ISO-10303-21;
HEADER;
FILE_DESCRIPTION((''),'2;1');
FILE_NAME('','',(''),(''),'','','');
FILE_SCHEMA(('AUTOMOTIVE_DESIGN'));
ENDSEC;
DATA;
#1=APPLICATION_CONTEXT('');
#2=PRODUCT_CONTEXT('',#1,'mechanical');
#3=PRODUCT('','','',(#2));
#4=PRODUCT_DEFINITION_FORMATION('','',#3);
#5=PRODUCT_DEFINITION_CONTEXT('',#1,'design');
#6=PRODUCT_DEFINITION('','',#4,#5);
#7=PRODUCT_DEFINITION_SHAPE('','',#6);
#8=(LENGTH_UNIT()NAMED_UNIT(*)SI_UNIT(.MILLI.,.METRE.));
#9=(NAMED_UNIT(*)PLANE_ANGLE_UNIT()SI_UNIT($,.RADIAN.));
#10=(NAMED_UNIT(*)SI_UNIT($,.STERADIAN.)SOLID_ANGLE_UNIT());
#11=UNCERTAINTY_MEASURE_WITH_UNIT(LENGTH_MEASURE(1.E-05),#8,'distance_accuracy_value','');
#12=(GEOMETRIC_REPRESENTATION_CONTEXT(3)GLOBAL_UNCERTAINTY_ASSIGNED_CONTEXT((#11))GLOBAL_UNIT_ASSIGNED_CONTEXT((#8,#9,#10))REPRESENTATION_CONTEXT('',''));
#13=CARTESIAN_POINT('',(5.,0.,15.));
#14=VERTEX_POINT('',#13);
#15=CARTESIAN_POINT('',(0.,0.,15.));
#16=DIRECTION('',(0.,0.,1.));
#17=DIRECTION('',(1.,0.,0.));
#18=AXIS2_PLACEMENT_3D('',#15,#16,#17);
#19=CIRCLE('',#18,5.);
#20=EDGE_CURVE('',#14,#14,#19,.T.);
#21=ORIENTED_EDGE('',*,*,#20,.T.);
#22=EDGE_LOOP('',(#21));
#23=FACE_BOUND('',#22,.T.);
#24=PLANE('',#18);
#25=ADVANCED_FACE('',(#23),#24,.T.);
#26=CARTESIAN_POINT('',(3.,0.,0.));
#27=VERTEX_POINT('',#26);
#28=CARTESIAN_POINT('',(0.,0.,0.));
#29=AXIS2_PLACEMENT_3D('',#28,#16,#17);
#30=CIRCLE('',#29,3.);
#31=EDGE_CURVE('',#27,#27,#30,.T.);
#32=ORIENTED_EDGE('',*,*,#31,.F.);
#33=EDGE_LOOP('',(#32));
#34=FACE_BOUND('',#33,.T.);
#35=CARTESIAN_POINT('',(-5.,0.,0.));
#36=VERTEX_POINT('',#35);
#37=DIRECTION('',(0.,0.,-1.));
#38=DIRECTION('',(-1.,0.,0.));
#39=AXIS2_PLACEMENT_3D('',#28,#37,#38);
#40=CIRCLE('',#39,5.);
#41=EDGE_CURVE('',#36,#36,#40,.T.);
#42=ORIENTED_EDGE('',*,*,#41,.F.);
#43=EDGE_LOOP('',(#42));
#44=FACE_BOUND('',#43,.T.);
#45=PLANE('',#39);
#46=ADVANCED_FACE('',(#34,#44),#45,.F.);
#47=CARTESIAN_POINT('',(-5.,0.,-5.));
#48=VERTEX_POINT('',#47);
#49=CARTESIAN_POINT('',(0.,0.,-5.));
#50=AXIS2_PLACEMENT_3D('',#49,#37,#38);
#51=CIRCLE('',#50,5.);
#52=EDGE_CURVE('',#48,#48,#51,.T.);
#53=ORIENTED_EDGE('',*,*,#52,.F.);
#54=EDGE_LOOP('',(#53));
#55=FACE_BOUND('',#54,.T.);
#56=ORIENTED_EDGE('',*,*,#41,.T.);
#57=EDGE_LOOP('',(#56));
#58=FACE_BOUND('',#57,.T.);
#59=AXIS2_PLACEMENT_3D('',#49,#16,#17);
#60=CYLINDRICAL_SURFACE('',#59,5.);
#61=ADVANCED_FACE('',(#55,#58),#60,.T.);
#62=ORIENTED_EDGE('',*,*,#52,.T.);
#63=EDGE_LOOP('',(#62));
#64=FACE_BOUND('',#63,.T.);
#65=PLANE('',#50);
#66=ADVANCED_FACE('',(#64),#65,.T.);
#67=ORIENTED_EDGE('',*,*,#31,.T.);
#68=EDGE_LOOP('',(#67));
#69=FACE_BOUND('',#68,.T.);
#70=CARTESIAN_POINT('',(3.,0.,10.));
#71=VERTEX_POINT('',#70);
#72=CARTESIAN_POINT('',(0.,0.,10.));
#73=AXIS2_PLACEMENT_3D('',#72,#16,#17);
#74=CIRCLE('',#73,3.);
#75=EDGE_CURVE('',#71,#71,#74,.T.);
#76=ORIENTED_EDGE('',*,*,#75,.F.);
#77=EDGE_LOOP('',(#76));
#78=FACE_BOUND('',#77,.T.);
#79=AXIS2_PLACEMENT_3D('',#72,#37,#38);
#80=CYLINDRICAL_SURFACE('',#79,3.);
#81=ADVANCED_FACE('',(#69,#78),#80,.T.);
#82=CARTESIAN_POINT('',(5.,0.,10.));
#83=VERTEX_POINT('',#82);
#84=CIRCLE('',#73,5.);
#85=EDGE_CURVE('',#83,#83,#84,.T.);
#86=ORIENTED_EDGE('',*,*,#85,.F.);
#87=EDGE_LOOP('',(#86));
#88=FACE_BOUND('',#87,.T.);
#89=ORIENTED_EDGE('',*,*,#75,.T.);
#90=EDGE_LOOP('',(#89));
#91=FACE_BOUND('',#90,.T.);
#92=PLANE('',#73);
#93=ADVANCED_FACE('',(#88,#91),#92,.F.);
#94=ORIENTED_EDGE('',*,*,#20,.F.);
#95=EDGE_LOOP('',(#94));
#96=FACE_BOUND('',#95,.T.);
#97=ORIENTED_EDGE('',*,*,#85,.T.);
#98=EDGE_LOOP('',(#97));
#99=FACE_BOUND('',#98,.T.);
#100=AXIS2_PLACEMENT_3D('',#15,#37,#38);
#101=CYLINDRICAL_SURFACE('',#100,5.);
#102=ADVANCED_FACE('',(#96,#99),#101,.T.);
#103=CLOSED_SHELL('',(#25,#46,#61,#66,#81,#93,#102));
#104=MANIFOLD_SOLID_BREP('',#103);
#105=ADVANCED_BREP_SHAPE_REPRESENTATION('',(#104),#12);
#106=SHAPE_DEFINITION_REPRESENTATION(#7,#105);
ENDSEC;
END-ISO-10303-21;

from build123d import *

# Parameters (mm, degrees)
ESQUISSE1_R        = 3
BOSS_EXTRU_1_DEPTH = 10
ESQUISSE2_R        = 5
BOSS_EXTRU_3_DEPTH = 5
BOSS_EXTRU_4_START = 5
ESQUISSE3_R        = 5
BOSS_EXTRU_4_DEPTH = 5


with BuildPart() as part:
    # Esquisse1 → Boss.-Extru.1 (new body)
    with BuildSketch(Plane.XY):
        Circle(ESQUISSE1_R)
    extrude(amount=BOSS_EXTRU_1_DEPTH)

    # Esquisse2 → Boss.-Extru.3 (add)
    with BuildSketch(Plane.XY.offset(10)):
        Circle(ESQUISSE2_R)
    extrude(amount=BOSS_EXTRU_3_DEPTH)

    # Esquisse3 → Boss.-Extru.4 (add)
    with BuildSketch(Plane(origin=(0, 0, 0), x_dir=(-1, 0, 0), z_dir=(0, 0, -1)).offset(BOSS_EXTRU_4_START)):
        with Locations(Location((0, 0, 0), (0, 0, 180))):
            Circle(ESQUISSE3_R)
    extrude(amount=-BOSS_EXTRU_4_DEPTH)


solid = part.part
